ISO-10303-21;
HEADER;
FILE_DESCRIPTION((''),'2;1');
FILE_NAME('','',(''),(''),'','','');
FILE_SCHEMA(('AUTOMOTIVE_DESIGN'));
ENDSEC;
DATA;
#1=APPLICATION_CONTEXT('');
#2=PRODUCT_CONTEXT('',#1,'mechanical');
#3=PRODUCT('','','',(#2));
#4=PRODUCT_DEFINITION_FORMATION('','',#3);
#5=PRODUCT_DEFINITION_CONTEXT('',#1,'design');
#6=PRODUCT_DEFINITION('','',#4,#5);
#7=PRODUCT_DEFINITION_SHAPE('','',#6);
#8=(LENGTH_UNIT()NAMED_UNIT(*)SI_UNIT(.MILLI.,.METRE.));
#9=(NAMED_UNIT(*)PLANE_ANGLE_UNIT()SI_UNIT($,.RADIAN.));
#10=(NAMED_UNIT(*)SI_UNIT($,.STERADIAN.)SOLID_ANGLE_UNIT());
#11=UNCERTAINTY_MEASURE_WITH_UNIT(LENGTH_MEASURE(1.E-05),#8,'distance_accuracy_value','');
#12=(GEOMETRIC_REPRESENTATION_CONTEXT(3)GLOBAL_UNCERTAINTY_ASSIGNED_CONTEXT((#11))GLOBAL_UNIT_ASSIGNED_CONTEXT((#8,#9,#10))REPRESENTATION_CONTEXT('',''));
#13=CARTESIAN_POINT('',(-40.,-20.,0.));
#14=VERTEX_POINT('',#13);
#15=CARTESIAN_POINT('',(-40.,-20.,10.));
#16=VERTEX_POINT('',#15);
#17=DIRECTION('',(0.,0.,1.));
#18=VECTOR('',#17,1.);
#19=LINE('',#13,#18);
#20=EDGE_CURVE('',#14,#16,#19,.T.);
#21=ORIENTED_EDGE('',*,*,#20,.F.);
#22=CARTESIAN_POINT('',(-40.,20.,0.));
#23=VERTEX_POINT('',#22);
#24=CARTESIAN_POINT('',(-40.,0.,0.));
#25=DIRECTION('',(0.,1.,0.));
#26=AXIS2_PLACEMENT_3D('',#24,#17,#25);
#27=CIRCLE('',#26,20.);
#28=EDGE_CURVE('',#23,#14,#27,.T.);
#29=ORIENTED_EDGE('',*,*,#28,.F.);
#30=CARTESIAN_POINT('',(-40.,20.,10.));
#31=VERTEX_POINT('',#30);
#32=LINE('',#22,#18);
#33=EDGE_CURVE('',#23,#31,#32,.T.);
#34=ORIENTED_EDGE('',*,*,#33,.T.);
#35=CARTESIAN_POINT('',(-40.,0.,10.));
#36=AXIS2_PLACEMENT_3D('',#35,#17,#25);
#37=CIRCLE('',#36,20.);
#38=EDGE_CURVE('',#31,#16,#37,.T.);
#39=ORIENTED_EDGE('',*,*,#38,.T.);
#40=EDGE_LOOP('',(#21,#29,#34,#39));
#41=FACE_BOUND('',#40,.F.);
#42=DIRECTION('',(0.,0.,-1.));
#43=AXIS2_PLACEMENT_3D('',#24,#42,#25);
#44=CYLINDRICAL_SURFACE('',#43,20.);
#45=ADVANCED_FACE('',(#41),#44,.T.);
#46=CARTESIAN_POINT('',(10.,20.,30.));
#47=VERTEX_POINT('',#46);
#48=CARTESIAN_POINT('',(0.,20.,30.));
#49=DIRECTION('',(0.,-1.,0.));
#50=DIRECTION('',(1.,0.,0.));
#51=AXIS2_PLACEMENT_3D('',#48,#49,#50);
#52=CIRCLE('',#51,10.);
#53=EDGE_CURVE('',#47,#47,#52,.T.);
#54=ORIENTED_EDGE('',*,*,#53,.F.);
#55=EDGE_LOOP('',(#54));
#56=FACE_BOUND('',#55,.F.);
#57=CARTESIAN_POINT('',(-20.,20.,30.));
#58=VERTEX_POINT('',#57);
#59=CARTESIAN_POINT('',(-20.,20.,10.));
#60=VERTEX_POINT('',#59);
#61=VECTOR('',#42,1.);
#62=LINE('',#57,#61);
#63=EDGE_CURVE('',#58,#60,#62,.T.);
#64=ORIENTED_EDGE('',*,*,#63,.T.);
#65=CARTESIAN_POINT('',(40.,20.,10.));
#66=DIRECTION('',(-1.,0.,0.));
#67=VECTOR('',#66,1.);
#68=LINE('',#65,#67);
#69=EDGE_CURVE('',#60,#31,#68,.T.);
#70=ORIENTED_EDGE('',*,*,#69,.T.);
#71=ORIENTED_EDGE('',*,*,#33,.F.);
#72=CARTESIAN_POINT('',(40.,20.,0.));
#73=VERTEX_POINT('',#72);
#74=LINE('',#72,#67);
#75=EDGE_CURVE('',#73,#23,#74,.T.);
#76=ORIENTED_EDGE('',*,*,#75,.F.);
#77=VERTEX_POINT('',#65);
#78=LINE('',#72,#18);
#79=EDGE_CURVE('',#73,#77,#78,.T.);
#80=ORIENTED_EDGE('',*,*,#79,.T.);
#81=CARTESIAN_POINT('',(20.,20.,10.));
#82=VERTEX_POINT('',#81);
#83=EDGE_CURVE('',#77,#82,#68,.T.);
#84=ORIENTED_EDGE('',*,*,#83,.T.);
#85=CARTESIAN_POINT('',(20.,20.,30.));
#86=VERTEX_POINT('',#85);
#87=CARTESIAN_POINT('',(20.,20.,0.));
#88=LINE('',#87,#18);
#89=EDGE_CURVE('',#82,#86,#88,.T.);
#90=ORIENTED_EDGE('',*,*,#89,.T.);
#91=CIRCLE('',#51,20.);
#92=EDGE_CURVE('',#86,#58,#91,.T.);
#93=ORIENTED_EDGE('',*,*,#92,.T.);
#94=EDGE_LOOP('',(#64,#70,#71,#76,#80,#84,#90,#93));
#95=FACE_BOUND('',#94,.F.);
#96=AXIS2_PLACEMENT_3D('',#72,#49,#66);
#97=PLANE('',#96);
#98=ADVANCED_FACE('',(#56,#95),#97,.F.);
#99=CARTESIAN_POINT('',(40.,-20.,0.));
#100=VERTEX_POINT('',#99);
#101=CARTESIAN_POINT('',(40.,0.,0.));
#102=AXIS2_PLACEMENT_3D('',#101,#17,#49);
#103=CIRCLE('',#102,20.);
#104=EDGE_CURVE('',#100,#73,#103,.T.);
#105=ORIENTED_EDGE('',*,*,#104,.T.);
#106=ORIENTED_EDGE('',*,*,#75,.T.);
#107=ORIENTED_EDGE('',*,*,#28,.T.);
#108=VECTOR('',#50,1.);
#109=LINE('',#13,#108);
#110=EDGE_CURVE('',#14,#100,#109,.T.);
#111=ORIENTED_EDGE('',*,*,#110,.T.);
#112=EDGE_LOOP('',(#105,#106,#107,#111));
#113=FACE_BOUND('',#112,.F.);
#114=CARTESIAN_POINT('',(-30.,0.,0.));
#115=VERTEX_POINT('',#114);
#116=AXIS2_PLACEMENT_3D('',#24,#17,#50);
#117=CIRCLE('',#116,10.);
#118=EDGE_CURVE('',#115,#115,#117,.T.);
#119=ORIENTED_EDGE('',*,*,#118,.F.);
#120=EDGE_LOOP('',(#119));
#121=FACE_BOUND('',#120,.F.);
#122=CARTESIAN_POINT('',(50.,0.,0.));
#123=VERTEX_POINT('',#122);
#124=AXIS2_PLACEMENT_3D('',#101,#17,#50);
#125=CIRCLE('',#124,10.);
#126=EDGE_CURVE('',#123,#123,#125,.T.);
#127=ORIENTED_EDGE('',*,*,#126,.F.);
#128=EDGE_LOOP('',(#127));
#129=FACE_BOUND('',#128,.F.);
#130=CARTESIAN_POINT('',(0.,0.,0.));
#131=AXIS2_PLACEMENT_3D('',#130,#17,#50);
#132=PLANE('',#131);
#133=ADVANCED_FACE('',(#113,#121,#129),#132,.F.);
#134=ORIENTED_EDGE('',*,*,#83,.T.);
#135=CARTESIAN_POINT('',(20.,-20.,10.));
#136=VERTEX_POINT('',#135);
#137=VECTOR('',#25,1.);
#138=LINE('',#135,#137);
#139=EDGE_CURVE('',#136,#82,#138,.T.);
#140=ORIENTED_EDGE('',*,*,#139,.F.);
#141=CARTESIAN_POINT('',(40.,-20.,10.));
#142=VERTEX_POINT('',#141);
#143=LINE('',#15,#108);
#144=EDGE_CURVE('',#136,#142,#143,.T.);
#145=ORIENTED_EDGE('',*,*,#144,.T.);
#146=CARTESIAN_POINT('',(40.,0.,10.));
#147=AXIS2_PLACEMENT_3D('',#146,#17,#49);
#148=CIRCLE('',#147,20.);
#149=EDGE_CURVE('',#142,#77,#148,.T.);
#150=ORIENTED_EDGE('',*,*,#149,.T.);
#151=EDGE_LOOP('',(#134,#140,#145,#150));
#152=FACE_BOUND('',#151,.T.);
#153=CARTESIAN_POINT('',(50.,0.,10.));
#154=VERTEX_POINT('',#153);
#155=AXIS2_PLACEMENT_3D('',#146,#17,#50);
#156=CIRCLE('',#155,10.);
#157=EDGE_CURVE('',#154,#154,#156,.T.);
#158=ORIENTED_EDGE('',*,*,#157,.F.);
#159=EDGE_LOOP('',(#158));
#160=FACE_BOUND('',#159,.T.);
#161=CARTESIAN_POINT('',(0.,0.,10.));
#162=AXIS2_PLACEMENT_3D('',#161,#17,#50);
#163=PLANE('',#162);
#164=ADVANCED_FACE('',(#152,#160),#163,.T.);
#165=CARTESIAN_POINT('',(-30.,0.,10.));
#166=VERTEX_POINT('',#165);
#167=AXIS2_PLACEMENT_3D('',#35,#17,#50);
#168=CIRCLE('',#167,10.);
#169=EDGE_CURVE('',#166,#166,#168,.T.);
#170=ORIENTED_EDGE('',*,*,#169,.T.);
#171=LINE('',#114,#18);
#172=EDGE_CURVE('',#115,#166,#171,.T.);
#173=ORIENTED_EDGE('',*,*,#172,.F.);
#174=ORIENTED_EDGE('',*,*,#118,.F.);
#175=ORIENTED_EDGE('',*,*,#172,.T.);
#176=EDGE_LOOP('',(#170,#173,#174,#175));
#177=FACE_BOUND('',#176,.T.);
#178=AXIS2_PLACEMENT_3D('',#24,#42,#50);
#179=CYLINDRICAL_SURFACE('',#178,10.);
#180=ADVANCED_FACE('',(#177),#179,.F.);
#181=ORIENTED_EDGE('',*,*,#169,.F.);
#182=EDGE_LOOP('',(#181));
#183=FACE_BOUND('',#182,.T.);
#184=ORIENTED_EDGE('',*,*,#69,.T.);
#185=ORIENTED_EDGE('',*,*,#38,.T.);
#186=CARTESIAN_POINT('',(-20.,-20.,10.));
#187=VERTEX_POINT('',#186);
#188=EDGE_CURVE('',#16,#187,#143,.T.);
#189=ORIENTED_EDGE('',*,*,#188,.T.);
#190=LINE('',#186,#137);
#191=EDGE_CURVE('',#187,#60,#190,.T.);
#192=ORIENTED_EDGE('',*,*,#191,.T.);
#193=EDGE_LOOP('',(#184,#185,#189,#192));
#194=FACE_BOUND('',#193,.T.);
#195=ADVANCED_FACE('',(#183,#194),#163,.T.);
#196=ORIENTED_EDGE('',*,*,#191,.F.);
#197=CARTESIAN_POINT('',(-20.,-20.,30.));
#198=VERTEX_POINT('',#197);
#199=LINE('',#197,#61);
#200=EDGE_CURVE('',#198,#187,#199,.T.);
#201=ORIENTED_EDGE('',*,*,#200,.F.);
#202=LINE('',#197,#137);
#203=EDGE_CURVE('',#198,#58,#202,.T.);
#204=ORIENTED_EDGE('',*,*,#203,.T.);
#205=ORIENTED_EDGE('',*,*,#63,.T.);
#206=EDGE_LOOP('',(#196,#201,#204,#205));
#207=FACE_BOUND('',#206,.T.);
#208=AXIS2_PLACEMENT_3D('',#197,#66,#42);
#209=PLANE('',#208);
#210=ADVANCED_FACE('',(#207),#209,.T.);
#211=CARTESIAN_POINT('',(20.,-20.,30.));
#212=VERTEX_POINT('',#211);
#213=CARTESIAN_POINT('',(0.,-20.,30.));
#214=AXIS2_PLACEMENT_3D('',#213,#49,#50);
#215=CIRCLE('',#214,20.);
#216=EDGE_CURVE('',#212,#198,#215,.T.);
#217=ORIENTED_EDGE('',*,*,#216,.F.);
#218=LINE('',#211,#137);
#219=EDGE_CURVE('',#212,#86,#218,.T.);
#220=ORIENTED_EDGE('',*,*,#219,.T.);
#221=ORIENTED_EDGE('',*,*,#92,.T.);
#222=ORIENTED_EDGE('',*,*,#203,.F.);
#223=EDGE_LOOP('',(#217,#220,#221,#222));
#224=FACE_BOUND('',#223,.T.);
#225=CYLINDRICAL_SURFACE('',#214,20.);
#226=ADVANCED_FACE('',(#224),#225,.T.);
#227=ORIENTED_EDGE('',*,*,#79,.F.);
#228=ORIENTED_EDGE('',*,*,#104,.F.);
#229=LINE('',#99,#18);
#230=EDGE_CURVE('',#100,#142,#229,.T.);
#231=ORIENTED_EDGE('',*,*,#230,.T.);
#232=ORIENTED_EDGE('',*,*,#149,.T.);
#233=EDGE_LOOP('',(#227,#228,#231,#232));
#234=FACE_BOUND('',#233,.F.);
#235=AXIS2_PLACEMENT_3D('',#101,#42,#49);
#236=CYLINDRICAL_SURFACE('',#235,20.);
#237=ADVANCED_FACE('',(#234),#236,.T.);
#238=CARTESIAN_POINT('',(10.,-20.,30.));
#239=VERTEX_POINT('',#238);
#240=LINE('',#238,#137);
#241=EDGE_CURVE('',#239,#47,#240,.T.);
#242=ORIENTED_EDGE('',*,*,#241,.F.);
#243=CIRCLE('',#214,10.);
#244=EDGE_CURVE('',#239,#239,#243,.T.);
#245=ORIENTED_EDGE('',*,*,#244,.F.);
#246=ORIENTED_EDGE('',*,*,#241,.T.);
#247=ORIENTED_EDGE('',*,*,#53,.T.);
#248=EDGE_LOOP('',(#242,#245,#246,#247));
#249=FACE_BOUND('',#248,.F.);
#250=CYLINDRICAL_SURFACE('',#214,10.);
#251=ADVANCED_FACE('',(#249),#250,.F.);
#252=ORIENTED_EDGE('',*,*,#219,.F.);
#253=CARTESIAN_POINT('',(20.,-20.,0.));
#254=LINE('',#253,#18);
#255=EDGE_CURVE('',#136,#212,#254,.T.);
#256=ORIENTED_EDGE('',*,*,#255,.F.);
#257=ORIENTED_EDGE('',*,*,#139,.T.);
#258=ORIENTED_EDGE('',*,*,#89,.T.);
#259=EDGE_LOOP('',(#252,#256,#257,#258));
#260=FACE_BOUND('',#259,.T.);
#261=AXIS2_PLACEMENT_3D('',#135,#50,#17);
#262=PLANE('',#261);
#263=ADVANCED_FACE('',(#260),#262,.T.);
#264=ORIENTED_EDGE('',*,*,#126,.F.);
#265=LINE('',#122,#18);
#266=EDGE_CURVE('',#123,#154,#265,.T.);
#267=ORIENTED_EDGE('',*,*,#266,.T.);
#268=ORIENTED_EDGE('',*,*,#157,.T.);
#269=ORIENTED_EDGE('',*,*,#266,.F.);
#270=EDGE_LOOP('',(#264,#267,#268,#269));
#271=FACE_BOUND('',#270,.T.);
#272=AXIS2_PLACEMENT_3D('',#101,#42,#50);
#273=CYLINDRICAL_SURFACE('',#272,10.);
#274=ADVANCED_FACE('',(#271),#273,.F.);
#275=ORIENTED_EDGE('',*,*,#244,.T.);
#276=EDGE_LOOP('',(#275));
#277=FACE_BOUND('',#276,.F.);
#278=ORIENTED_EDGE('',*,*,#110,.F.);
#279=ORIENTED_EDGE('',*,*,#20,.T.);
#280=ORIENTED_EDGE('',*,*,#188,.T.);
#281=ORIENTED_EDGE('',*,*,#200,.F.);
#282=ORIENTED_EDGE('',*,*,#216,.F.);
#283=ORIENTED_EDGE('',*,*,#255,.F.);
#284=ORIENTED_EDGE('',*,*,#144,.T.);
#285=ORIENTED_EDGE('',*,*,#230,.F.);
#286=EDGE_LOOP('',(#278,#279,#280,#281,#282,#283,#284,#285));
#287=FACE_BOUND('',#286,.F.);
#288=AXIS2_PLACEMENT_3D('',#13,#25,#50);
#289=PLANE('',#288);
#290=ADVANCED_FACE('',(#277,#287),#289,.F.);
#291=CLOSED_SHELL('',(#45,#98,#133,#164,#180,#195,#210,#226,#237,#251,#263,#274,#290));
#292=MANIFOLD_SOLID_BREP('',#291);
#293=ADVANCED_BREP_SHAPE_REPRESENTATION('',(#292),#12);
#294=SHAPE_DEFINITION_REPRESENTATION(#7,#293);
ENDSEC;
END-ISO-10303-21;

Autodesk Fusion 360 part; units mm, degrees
sketch "Sketch1" plane through (0, 0, 0) normal (0, 0, 1) x (1, 0, 0)
  line L0 (40, 20) -> (-40, 20)
  line L1 (-40, -20) -> (40, -20)
  circle A0 centre (-40, 0) radius 10
  circle A1 centre (40, 0) radius 10
  line L2 (20, 0) -> (40, 0) construction
  arc A2 (40, -20) -> (40, 20) centre (40, 0) ccw
  arc A3 (-40, 20) -> (-40, -20) centre (-40, 0) ccw
  dimension "d1" = 80
  dimension "d2" = 40
extrude "Extrude1" add sketch "Sketch1" along normal blind 10
sketch "Sketch2" plane through (0, -20, 0) normal (0, -1, 0) x (1, 0, 0)
  line L0 (-40, 0) -> (40, 0)
  line L1 (40, 0) -> (40, 10)
  line L2 (40, 10) -> (-40, 10)
  line L3 (-40, 10) -> (-40, 0)
  line L4 (-20, 0) -> (20, 0)
  line L5 (20, 0) -> (20, 30)
  line L6 (-20, 30) -> (-20, 0)
  circle A0 centre (0, 30) radius 10
  arc A1 (20, 30) -> (-20, 30) centre (0, 30) ccw
  dimension "d11" = 40
  dimension "d12" = 30
  dimension "d13" = 20
  dimension "d14" = 20
  dimension "d15" = 40
extrude "Extrude2" add sketch "Sketch2" against normal blind 40 contours L2 L5 L6 A1
